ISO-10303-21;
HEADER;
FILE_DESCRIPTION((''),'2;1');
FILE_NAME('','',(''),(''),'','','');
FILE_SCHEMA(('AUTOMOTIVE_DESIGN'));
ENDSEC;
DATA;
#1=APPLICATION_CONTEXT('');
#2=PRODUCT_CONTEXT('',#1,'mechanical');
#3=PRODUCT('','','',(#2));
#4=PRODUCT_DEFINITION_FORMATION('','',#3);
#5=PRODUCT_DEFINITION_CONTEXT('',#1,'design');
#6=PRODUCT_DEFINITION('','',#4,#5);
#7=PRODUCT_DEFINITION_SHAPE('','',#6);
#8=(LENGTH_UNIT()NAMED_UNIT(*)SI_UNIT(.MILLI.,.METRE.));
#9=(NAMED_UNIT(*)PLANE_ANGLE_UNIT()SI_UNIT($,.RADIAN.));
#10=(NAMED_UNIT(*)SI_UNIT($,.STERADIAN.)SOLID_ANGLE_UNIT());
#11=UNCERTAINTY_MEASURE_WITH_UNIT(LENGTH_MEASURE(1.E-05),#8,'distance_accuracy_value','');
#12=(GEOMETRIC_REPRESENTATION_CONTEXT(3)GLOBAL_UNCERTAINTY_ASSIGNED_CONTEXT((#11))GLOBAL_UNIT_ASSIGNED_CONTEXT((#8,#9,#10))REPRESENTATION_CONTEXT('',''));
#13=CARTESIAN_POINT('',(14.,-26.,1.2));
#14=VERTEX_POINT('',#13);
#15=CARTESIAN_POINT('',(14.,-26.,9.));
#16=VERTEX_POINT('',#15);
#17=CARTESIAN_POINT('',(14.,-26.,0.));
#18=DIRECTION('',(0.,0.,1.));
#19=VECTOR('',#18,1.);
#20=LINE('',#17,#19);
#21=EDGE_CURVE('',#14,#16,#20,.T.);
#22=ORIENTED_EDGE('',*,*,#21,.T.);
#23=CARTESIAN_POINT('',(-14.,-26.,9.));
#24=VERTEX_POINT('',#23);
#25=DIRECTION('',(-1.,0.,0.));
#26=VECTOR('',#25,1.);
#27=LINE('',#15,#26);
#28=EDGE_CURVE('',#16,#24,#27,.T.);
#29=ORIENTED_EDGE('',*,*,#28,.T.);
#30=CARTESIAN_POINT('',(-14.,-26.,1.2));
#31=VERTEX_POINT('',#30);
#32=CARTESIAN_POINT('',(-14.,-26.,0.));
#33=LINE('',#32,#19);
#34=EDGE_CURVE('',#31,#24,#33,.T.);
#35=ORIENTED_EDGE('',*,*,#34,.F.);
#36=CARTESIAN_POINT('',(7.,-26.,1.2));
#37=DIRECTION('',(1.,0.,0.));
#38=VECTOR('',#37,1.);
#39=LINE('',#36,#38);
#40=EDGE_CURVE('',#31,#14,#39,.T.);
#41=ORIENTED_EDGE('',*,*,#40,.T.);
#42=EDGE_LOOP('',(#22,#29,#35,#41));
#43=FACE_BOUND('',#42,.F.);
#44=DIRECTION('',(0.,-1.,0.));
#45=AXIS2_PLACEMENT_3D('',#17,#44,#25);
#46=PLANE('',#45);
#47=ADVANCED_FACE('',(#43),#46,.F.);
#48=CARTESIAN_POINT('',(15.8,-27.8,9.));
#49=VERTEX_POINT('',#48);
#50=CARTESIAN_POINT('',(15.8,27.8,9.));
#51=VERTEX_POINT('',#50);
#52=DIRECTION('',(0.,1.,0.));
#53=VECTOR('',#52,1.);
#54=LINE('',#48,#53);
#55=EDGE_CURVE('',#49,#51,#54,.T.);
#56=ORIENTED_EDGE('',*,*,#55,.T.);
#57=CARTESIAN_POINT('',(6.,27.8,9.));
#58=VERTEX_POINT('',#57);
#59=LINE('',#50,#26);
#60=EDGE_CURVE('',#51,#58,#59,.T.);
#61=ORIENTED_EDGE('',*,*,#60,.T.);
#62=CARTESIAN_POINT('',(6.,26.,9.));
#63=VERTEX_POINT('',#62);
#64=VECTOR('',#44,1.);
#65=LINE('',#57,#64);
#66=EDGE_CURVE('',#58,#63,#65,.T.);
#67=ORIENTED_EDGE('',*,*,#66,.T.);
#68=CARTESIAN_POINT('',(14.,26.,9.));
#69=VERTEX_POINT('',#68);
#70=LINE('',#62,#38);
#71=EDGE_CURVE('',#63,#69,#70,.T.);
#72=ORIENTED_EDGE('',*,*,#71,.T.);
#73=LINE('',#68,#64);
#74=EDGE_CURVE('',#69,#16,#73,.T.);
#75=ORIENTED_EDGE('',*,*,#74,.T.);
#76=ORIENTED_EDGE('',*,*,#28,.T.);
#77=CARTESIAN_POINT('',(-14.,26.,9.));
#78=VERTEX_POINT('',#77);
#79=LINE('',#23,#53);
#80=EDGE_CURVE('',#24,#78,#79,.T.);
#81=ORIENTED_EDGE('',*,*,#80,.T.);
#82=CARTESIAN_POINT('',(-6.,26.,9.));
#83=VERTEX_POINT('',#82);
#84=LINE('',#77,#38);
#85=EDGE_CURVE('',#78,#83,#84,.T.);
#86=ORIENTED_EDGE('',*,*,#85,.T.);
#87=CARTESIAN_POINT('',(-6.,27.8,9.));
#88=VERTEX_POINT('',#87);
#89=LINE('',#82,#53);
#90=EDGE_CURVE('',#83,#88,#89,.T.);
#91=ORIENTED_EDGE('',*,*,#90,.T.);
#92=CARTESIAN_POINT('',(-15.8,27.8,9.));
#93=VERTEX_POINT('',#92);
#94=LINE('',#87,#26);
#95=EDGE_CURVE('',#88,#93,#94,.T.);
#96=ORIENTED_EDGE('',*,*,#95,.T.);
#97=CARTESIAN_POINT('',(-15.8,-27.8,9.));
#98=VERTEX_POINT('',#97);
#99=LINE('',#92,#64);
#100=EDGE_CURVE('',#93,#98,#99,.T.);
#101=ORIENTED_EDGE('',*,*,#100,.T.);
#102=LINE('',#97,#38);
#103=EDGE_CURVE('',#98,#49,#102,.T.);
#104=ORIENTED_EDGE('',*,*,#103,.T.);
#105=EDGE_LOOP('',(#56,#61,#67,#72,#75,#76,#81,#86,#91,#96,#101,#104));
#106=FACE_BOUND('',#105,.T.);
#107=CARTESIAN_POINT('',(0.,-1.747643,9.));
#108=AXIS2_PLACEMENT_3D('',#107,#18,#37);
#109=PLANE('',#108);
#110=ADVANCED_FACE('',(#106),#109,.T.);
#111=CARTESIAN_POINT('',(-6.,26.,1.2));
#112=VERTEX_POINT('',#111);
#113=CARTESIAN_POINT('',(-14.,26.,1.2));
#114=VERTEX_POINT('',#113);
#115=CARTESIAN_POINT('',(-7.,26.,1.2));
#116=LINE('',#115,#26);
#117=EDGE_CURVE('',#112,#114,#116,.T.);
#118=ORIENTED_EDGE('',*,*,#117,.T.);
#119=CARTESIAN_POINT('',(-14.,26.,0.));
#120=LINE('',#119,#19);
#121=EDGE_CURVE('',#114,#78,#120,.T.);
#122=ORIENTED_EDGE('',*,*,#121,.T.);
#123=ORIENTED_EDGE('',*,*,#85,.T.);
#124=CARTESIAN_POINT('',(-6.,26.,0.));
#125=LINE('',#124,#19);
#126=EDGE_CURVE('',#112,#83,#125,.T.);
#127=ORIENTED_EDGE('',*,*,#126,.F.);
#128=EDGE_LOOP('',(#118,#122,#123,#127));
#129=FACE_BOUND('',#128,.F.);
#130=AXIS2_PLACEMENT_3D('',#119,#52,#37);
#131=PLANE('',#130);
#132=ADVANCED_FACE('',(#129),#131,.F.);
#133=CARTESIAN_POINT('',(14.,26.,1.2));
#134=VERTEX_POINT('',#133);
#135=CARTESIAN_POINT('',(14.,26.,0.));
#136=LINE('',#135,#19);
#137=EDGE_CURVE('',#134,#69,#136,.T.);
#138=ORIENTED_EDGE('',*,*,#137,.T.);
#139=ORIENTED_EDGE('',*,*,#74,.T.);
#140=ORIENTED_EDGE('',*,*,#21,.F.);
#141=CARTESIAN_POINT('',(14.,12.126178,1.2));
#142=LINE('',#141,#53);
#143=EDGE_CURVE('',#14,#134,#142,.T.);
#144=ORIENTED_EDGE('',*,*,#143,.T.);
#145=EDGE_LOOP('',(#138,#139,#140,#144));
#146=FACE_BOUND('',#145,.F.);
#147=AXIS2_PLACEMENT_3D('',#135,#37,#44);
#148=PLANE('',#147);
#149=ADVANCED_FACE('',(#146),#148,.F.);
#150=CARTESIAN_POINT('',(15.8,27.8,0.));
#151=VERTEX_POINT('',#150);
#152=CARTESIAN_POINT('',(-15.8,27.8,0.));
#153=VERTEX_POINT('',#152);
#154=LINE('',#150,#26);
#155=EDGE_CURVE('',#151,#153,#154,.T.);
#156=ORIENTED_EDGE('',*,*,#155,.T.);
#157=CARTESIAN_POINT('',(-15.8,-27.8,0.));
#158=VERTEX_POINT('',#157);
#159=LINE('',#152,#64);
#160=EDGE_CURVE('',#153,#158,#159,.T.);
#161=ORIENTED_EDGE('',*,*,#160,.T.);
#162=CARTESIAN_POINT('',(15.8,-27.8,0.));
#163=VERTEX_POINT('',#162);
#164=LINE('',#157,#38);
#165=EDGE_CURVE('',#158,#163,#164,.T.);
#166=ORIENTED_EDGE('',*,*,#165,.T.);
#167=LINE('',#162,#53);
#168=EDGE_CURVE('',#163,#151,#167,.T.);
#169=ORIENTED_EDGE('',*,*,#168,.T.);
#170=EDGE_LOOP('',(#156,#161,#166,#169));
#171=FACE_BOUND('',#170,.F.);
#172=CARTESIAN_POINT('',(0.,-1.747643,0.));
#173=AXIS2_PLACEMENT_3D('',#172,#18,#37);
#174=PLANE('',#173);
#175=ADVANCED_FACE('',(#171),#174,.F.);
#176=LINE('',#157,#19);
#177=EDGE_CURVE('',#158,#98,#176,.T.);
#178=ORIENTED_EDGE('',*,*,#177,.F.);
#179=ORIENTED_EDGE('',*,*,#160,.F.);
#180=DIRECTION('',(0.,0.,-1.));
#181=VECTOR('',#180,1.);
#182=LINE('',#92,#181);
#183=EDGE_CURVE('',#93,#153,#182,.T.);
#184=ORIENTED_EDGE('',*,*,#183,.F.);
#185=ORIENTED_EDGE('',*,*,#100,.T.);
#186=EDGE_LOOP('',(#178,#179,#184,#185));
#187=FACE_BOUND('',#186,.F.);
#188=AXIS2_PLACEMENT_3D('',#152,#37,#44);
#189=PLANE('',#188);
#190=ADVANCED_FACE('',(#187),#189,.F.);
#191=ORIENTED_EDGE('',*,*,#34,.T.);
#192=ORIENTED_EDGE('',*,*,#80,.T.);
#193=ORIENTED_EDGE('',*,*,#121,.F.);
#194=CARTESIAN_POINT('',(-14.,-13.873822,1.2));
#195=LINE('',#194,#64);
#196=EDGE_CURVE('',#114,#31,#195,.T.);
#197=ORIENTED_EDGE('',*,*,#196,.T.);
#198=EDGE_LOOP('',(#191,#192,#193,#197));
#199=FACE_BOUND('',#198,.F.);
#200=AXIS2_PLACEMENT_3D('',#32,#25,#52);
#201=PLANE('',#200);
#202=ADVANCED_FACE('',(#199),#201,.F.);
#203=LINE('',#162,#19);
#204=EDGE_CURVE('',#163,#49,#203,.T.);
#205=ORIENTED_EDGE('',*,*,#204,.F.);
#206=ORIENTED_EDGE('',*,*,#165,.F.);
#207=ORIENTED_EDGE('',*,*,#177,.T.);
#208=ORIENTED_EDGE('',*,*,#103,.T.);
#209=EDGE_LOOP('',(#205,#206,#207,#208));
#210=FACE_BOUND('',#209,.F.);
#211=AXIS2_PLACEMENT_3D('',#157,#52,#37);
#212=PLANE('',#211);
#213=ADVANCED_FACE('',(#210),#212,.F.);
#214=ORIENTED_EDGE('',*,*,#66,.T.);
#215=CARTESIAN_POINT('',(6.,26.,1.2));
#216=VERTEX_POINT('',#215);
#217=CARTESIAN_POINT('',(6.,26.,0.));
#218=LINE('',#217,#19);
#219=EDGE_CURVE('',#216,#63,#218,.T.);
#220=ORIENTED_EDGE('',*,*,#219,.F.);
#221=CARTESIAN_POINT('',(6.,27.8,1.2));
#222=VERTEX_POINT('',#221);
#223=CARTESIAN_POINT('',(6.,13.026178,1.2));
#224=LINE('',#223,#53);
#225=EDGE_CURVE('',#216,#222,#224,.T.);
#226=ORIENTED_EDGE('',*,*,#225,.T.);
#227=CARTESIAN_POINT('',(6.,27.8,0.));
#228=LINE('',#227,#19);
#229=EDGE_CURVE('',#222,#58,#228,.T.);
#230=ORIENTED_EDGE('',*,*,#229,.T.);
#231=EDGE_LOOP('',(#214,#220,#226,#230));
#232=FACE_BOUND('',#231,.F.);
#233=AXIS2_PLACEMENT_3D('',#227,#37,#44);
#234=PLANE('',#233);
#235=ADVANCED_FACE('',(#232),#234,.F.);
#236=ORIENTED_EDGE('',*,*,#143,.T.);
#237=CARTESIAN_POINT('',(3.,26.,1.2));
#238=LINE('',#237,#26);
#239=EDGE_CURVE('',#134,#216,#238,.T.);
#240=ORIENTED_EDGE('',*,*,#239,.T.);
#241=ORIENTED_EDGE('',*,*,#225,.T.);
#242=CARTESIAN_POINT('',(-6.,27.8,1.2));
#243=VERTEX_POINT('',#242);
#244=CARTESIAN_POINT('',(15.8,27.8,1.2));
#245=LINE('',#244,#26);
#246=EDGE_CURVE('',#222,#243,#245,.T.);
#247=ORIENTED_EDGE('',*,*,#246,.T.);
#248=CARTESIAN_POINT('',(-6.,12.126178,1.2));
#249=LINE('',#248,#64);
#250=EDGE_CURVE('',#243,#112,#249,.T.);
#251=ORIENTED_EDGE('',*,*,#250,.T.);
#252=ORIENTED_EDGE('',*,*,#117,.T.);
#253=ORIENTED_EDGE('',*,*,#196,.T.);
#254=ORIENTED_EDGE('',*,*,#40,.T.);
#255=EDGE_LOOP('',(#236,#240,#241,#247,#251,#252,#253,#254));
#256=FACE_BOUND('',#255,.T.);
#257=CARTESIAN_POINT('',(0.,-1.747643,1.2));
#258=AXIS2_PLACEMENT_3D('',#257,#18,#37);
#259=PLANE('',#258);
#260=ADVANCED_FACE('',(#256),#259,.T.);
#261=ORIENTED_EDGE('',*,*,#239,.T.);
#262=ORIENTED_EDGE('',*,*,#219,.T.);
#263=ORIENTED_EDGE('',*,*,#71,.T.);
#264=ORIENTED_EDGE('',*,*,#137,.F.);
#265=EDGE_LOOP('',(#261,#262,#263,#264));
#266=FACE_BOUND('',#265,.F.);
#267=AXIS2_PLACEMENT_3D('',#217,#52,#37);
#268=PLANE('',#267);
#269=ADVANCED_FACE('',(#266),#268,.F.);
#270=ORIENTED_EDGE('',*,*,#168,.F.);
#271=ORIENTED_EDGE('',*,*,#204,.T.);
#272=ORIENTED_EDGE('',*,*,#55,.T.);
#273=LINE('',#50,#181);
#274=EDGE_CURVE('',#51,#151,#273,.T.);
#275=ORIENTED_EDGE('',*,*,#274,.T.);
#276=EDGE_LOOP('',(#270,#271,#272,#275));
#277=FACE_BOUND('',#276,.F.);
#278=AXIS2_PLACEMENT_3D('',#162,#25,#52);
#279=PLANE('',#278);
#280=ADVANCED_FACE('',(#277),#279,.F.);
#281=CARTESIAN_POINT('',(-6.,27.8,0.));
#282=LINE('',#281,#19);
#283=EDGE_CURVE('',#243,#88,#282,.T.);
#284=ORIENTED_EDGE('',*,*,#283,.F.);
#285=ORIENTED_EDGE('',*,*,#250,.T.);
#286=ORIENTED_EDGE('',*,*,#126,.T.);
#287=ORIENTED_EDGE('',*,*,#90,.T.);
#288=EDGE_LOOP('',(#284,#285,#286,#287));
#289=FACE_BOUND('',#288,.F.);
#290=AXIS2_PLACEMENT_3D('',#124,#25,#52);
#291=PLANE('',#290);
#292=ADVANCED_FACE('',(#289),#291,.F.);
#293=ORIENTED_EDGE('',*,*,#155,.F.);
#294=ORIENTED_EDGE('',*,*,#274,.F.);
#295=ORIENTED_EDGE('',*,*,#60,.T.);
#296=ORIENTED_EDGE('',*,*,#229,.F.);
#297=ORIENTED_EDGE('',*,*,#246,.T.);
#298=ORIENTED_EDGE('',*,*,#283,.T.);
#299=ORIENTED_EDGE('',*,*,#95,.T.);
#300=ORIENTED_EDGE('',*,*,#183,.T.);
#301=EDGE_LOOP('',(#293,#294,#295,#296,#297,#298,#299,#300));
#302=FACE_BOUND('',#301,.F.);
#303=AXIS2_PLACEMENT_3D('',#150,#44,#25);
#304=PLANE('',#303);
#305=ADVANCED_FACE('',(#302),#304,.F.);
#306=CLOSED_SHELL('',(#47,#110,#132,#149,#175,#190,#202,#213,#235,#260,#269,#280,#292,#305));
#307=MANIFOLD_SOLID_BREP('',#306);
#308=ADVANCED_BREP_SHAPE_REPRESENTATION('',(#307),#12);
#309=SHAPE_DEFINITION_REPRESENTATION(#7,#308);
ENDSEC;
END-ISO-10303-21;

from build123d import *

# Parameters (mm, degrees)
F0_W     = 12
F0_H     = 1.8
F1_DEPTH = 1.2
F2_DEPTH = 9


with BuildPart() as f1:
    # F0 (on Top) → F1 (new body)
    with BuildSketch(Plane.XY):
        Polygon((6, 26), (14, 26), (14, -26), (-14, -26), (-14, 26), (-6, 26), (-6, 27.8), (-15.8, 27.8), (-15.8, -27.8), (15.8, -27.8), (15.8, 27.8), (6, 27.8), align=None)
        with Locations((0, 26.9)):
            Rectangle(F0_W, F0_H)
        Polygon((14, -26), (14, 26), (6, 26), (-6, 26), (-14, 26), (-14, -26), align=None)
    extrude(amount=F1_DEPTH)

    # F0 (on Top) → F2 (join)
    with BuildSketch(Plane.XY):
        Polygon((6, 26), (14, 26), (14, -26), (-14, -26), (-14, 26), (-6, 26), (-6, 27.8), (-15.8, 27.8), (-15.8, -27.8), (15.8, -27.8), (15.8, 27.8), (6, 27.8), align=None)
    extrude(amount=F2_DEPTH)


solid = f1.part
